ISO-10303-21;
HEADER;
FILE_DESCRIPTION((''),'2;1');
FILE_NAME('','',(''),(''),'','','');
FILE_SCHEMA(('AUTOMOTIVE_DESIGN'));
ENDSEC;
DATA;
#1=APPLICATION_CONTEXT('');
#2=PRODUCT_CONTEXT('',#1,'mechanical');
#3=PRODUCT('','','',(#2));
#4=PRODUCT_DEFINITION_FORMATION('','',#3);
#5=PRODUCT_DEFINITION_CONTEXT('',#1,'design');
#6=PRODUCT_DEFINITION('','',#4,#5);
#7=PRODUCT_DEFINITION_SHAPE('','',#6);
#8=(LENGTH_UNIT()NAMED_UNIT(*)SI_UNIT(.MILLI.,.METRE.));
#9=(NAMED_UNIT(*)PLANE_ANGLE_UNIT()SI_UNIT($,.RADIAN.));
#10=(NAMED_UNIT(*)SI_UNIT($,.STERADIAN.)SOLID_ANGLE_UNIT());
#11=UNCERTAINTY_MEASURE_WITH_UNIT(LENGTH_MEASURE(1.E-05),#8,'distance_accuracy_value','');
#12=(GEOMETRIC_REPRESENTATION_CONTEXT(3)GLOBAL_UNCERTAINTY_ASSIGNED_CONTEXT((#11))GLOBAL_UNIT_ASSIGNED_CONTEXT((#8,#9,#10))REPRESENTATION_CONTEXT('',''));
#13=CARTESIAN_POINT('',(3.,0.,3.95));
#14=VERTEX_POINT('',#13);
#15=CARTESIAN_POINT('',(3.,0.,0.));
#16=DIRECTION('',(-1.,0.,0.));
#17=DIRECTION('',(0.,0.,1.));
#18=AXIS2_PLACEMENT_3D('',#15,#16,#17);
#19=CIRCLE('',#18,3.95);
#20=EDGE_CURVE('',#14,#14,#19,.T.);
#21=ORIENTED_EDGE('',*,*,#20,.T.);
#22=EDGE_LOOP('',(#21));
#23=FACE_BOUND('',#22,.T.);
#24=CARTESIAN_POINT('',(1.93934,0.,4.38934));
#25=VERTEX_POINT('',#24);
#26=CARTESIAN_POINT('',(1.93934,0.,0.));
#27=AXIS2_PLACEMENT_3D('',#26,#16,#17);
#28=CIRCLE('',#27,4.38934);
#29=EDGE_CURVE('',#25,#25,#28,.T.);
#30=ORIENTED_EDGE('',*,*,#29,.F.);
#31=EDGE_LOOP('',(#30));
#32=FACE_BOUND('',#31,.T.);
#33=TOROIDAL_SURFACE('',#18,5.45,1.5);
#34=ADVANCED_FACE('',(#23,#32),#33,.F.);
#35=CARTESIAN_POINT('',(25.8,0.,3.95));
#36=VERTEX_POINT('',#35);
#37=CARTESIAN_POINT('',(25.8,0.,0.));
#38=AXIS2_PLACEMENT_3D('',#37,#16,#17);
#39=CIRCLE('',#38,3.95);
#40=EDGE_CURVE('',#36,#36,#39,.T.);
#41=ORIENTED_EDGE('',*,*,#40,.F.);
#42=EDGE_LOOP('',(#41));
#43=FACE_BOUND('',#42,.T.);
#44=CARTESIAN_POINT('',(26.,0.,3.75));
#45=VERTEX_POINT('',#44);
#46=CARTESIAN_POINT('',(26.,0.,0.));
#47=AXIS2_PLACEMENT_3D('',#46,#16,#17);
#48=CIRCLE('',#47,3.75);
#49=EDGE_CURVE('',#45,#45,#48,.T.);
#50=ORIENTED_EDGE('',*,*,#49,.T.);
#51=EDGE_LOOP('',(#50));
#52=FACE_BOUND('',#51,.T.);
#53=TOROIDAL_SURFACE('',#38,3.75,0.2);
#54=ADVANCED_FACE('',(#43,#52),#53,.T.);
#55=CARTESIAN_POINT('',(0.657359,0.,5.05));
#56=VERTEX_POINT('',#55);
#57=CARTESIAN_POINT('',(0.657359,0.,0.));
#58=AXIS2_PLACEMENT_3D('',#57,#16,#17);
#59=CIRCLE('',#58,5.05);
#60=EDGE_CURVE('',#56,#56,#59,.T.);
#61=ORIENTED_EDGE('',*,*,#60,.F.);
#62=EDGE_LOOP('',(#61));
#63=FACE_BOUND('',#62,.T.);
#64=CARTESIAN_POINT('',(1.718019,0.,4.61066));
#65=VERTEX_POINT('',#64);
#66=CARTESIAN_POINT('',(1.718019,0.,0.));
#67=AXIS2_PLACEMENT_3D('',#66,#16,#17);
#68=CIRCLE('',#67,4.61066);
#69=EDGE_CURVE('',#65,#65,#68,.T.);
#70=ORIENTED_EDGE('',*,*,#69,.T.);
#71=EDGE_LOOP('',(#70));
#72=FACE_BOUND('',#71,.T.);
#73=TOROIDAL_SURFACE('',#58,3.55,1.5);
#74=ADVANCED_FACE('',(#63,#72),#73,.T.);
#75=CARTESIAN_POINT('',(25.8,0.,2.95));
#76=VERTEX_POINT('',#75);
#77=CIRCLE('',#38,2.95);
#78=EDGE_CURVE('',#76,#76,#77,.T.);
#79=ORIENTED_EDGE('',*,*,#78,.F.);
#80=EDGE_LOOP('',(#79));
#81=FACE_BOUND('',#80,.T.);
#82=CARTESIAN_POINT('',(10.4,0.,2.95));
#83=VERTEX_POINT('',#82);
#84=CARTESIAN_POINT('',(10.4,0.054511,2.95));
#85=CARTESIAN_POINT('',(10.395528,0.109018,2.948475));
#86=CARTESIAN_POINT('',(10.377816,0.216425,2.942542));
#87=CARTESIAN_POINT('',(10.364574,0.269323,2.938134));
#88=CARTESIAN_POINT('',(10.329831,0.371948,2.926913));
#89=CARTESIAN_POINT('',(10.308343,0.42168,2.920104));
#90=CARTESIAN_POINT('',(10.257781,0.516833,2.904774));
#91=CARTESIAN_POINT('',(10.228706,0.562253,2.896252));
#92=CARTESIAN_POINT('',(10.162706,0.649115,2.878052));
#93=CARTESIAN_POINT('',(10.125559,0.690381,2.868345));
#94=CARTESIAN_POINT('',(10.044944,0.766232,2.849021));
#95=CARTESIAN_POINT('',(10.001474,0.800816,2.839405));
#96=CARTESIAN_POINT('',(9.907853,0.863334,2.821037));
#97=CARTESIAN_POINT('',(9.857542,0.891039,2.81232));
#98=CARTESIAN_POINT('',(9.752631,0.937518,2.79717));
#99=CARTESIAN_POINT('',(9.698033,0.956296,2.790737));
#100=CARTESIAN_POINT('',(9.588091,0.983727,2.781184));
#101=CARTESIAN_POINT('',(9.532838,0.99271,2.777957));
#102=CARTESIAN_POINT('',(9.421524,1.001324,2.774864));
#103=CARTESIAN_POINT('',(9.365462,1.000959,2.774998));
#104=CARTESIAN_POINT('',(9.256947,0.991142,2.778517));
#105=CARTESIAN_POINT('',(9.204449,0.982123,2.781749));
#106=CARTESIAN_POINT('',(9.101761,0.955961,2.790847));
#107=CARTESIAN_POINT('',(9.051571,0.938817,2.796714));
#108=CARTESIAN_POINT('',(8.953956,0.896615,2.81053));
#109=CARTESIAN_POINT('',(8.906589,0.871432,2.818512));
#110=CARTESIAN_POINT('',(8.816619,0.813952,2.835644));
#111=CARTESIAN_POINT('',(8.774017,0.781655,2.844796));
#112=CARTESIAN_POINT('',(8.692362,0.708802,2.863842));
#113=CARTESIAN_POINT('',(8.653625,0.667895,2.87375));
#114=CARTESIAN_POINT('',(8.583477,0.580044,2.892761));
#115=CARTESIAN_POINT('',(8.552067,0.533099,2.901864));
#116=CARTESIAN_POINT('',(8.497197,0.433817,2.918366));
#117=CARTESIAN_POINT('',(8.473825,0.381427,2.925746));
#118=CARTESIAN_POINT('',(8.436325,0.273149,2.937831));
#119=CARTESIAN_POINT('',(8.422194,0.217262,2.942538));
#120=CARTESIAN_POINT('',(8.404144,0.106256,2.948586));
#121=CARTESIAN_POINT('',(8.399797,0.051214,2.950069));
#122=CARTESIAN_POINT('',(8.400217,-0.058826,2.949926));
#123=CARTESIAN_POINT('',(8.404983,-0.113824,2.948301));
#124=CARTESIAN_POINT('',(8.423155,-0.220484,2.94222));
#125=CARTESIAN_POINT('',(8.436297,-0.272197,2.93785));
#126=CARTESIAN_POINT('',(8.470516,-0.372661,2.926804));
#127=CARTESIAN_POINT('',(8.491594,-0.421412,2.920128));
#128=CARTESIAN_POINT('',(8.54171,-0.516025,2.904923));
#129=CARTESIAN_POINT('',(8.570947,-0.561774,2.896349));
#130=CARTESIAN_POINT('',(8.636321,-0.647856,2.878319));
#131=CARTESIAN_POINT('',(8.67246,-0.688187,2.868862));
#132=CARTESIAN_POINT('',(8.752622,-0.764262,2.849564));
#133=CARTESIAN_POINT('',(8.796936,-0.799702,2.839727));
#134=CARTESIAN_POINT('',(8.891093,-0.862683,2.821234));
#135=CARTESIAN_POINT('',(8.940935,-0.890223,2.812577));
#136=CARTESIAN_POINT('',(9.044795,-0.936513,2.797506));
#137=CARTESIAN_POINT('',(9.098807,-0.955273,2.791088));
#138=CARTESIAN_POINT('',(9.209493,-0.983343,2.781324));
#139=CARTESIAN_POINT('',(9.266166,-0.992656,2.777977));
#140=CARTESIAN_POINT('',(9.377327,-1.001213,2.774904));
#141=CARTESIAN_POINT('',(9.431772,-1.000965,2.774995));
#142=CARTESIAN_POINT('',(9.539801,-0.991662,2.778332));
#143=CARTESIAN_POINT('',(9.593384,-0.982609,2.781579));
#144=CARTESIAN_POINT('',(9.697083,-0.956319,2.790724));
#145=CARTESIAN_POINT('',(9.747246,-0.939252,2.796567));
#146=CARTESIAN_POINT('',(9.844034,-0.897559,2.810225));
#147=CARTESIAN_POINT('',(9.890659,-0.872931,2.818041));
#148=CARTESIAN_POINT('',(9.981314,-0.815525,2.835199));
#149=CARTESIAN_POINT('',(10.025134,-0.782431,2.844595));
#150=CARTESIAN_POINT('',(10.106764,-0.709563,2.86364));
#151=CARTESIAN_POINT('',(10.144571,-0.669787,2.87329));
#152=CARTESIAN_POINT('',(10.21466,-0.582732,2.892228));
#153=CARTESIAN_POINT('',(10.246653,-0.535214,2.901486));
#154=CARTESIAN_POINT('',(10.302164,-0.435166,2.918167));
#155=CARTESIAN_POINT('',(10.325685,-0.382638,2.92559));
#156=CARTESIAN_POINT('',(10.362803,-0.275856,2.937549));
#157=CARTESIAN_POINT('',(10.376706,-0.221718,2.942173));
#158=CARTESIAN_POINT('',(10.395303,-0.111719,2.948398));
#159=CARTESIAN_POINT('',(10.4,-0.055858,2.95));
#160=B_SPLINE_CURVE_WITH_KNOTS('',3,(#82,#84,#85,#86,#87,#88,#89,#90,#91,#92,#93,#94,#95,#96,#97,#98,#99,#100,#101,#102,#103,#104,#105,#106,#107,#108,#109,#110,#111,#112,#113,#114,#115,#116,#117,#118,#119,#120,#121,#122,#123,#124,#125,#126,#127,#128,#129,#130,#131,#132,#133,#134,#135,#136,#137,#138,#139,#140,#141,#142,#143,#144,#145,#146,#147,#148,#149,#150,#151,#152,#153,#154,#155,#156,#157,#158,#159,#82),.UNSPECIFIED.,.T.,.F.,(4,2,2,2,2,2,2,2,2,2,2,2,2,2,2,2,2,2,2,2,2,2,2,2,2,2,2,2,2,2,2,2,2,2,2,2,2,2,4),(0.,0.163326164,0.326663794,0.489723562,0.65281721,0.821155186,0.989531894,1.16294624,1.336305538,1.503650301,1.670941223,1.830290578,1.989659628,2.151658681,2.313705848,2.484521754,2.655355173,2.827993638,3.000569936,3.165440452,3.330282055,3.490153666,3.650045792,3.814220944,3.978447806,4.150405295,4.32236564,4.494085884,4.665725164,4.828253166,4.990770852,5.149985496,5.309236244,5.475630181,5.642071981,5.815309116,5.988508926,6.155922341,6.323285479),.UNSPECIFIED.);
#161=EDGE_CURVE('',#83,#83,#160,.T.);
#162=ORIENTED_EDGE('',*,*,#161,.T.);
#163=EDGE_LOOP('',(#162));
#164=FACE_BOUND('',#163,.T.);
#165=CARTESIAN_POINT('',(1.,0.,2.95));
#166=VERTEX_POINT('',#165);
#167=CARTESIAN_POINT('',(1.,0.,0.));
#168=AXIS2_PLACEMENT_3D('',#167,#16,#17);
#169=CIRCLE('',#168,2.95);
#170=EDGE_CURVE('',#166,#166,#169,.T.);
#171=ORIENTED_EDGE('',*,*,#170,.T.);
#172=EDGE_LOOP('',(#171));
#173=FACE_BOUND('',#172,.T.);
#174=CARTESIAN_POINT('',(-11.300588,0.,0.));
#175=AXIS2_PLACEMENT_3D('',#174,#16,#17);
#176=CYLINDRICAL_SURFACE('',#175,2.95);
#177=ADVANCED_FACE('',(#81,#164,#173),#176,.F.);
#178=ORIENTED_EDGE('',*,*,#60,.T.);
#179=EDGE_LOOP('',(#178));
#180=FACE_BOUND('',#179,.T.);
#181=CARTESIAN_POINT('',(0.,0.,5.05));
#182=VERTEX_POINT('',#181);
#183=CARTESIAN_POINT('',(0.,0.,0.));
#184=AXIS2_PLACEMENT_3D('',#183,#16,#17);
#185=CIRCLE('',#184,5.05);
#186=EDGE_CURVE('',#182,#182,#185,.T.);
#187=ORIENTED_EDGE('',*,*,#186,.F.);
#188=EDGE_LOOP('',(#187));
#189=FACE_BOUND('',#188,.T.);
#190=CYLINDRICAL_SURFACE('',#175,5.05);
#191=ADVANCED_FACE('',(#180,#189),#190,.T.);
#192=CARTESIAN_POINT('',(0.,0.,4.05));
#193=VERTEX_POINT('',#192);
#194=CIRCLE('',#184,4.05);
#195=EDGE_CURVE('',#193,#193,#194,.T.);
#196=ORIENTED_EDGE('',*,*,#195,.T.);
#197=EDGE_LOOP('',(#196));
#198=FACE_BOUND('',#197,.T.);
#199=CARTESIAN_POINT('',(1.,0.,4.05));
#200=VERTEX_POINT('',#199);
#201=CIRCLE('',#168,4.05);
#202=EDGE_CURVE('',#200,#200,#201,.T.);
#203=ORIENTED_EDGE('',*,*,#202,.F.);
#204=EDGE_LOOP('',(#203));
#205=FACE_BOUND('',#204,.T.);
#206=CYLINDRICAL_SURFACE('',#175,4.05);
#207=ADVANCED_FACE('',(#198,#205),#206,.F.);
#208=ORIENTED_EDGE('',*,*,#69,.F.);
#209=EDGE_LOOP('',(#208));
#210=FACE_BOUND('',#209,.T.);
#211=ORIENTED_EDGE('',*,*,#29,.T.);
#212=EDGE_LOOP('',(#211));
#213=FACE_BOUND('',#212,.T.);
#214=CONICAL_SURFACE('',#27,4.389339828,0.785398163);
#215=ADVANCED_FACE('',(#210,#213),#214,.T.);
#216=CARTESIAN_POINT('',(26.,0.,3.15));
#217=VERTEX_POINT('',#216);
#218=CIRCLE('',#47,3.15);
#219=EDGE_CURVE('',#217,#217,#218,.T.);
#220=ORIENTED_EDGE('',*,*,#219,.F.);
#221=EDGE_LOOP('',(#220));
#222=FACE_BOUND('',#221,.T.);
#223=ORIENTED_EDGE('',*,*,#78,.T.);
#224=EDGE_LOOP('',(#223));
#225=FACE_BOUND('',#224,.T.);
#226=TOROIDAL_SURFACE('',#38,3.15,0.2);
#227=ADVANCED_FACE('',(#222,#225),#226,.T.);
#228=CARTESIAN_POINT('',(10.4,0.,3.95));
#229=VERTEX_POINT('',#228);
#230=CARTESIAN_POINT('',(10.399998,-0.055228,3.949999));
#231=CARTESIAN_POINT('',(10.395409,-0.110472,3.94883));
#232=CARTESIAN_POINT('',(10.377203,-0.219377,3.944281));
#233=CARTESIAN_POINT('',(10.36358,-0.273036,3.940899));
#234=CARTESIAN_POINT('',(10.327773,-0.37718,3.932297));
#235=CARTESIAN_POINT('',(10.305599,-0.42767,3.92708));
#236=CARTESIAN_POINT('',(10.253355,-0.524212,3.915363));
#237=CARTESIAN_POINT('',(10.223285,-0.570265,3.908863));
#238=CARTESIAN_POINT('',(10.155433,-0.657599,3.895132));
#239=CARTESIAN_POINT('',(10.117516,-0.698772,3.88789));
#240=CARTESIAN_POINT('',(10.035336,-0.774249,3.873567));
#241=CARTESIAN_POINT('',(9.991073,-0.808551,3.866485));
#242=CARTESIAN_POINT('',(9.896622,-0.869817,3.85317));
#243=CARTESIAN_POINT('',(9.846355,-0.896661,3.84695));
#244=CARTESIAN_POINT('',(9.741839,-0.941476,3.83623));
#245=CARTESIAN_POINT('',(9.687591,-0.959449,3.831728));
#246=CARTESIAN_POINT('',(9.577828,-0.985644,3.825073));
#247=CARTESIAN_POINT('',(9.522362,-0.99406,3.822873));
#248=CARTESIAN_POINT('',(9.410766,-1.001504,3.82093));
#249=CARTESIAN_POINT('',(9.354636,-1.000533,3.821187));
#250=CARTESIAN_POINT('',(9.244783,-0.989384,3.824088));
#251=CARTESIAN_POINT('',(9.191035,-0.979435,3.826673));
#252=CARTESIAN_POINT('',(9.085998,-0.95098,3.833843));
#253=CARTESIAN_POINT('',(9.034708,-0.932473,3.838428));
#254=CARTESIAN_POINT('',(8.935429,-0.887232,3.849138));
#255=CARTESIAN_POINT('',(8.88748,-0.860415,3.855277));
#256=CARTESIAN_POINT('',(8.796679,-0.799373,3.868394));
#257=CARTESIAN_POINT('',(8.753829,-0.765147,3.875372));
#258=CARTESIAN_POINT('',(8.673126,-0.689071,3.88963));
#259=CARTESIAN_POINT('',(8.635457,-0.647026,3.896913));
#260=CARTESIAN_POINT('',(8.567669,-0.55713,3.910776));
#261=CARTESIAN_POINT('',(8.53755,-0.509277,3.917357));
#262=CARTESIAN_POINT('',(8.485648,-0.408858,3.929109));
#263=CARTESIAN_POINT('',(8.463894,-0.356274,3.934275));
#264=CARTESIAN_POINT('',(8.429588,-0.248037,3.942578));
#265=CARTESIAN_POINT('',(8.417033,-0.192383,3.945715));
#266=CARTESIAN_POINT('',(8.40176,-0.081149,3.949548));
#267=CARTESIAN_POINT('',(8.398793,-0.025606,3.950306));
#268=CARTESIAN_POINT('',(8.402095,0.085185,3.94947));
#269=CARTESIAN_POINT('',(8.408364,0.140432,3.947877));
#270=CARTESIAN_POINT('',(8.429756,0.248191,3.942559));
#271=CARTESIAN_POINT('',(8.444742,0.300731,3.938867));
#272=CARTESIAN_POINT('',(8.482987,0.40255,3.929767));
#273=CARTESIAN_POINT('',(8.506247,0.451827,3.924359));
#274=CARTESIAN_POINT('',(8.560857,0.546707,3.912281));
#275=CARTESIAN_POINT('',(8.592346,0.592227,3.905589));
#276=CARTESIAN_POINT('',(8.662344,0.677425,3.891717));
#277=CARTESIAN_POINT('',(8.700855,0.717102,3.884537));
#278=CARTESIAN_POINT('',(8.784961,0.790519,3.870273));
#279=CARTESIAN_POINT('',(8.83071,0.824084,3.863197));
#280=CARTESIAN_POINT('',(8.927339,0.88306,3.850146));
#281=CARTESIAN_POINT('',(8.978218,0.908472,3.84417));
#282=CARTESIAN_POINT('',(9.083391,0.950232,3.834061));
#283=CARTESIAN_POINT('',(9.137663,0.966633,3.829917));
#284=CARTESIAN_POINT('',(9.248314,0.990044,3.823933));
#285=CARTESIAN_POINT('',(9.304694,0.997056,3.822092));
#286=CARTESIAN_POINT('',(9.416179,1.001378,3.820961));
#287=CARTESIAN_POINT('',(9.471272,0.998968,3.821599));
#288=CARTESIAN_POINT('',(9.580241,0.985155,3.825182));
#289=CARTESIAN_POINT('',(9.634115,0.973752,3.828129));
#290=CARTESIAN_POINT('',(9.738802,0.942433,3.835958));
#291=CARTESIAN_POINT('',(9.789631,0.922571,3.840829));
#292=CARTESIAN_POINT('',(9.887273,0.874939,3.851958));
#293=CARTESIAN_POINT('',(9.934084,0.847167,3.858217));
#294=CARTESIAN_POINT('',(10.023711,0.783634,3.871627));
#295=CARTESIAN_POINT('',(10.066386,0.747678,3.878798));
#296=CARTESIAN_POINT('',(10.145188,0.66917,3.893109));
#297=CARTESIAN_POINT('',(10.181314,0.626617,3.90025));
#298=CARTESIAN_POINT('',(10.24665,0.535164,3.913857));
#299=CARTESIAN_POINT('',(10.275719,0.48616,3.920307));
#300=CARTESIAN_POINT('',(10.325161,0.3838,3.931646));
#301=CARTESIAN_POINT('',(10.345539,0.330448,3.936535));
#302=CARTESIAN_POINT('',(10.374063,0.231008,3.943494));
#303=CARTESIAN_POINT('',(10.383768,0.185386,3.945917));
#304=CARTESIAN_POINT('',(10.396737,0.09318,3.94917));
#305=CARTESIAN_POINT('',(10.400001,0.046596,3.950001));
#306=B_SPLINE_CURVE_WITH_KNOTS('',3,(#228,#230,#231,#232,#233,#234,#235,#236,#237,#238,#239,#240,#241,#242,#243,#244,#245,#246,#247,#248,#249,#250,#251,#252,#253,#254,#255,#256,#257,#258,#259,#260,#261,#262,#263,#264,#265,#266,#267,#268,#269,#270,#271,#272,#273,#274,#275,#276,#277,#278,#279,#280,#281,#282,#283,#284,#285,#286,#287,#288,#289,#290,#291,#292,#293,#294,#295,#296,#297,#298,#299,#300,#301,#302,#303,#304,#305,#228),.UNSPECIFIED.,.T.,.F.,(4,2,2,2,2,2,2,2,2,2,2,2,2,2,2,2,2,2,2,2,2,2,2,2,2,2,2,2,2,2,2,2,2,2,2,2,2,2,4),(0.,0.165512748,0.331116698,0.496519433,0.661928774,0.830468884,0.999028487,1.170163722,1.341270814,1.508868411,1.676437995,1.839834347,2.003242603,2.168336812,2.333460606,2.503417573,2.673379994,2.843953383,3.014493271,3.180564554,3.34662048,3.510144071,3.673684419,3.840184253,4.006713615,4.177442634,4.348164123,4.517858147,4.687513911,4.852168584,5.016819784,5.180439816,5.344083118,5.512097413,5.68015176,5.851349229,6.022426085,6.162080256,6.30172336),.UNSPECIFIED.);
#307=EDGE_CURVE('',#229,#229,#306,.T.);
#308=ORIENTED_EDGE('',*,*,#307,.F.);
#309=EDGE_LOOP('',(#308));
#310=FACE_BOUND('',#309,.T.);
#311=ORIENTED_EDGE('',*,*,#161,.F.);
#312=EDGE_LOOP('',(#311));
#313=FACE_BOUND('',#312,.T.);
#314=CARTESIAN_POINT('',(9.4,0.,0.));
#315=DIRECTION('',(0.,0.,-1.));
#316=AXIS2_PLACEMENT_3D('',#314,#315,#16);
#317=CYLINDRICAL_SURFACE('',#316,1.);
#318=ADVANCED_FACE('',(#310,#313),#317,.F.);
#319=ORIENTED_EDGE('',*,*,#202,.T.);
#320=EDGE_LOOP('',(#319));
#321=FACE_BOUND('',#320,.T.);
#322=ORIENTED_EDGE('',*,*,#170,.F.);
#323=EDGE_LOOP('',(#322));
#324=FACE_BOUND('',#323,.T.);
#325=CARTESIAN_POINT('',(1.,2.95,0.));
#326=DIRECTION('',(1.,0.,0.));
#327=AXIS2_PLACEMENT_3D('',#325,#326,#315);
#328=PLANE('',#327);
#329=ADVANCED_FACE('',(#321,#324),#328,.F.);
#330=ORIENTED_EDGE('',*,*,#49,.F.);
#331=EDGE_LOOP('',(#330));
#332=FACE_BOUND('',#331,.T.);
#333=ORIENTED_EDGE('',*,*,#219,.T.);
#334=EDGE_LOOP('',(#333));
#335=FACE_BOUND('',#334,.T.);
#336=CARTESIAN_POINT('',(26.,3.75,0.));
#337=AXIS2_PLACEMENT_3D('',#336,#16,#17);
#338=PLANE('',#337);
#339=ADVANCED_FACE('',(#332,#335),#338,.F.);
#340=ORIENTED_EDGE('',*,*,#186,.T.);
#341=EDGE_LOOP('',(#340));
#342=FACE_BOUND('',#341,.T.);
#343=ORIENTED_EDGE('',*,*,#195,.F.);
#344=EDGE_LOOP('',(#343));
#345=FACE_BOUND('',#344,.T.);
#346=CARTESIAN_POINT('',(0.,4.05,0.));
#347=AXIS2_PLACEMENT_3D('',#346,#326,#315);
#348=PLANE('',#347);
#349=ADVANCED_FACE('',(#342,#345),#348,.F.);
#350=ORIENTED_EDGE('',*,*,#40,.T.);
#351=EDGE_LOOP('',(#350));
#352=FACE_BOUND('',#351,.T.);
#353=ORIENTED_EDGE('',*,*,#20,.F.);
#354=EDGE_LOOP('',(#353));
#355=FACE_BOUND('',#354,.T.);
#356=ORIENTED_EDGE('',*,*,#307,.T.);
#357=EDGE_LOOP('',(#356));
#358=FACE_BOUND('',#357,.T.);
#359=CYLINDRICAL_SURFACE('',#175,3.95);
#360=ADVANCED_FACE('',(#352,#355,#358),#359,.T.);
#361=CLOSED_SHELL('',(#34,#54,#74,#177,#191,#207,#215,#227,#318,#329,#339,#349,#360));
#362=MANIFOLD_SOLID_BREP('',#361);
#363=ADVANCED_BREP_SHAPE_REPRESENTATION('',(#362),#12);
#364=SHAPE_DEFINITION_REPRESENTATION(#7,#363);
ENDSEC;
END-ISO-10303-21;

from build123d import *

# Parameters (mm, degrees)
ESQUISSE4_W = 1
ESQUISSE4_H = 5.05


with BuildPart() as part:
    # Esquisse1 → Révolution1 (revolve)
    with BuildSketch(Plane.XY, mode=Mode.PRIVATE) as r_volution1_sk:
        with BuildLine():
            Line((0, 4.05), (0, 5.05))
            Line((0, 5.05), (0.657359313, 5.05))
            ThreePointArc((0.657359313, 5.05), (1.231384461, 4.935819299), (1.718019485, 4.610660172))
            Line((1.718019485, 4.610660172), (1.939339828, 4.389339828))
            ThreePointArc((1.939339828, 4.389339828), (2.425974851, 4.064180701), (3, 3.95))
            Line((3, 3.95), (25.8, 3.95))
            ThreePointArc((25.8, 3.95), (25.941421356, 3.891421356), (26, 3.75))
            Line((26, 3.75), (26, 3.15))
            ThreePointArc((26, 3.15), (25.941421356, 3.008578644), (25.8, 2.95))
            Line((25.8, 2.95), (1, 2.95))
            Line((1, 2.95), (1, 4.05))
            Line((1, 4.05), (0, 4.05))
        make_face()
    revolve(r_volution1_sk.sketch.rotate(Axis((-11.300588411, 0, 0), (1, 0, 0)), 90), axis=Axis((-11.300588411, 0, 0), (1, 0, 0)))

    # Esquisse4 → Dégagement M21 (revolve, cut)
    with BuildSketch(Plane.YZ.offset(9.4)):
        with Locations((0.5, 2.525)):
            Rectangle(ESQUISSE4_W, ESQUISSE4_H)
    revolve(axis=Axis((9.4, 0, -6.35), (0, 0, 1)), mode=Mode.SUBTRACT)


solid = part.part
